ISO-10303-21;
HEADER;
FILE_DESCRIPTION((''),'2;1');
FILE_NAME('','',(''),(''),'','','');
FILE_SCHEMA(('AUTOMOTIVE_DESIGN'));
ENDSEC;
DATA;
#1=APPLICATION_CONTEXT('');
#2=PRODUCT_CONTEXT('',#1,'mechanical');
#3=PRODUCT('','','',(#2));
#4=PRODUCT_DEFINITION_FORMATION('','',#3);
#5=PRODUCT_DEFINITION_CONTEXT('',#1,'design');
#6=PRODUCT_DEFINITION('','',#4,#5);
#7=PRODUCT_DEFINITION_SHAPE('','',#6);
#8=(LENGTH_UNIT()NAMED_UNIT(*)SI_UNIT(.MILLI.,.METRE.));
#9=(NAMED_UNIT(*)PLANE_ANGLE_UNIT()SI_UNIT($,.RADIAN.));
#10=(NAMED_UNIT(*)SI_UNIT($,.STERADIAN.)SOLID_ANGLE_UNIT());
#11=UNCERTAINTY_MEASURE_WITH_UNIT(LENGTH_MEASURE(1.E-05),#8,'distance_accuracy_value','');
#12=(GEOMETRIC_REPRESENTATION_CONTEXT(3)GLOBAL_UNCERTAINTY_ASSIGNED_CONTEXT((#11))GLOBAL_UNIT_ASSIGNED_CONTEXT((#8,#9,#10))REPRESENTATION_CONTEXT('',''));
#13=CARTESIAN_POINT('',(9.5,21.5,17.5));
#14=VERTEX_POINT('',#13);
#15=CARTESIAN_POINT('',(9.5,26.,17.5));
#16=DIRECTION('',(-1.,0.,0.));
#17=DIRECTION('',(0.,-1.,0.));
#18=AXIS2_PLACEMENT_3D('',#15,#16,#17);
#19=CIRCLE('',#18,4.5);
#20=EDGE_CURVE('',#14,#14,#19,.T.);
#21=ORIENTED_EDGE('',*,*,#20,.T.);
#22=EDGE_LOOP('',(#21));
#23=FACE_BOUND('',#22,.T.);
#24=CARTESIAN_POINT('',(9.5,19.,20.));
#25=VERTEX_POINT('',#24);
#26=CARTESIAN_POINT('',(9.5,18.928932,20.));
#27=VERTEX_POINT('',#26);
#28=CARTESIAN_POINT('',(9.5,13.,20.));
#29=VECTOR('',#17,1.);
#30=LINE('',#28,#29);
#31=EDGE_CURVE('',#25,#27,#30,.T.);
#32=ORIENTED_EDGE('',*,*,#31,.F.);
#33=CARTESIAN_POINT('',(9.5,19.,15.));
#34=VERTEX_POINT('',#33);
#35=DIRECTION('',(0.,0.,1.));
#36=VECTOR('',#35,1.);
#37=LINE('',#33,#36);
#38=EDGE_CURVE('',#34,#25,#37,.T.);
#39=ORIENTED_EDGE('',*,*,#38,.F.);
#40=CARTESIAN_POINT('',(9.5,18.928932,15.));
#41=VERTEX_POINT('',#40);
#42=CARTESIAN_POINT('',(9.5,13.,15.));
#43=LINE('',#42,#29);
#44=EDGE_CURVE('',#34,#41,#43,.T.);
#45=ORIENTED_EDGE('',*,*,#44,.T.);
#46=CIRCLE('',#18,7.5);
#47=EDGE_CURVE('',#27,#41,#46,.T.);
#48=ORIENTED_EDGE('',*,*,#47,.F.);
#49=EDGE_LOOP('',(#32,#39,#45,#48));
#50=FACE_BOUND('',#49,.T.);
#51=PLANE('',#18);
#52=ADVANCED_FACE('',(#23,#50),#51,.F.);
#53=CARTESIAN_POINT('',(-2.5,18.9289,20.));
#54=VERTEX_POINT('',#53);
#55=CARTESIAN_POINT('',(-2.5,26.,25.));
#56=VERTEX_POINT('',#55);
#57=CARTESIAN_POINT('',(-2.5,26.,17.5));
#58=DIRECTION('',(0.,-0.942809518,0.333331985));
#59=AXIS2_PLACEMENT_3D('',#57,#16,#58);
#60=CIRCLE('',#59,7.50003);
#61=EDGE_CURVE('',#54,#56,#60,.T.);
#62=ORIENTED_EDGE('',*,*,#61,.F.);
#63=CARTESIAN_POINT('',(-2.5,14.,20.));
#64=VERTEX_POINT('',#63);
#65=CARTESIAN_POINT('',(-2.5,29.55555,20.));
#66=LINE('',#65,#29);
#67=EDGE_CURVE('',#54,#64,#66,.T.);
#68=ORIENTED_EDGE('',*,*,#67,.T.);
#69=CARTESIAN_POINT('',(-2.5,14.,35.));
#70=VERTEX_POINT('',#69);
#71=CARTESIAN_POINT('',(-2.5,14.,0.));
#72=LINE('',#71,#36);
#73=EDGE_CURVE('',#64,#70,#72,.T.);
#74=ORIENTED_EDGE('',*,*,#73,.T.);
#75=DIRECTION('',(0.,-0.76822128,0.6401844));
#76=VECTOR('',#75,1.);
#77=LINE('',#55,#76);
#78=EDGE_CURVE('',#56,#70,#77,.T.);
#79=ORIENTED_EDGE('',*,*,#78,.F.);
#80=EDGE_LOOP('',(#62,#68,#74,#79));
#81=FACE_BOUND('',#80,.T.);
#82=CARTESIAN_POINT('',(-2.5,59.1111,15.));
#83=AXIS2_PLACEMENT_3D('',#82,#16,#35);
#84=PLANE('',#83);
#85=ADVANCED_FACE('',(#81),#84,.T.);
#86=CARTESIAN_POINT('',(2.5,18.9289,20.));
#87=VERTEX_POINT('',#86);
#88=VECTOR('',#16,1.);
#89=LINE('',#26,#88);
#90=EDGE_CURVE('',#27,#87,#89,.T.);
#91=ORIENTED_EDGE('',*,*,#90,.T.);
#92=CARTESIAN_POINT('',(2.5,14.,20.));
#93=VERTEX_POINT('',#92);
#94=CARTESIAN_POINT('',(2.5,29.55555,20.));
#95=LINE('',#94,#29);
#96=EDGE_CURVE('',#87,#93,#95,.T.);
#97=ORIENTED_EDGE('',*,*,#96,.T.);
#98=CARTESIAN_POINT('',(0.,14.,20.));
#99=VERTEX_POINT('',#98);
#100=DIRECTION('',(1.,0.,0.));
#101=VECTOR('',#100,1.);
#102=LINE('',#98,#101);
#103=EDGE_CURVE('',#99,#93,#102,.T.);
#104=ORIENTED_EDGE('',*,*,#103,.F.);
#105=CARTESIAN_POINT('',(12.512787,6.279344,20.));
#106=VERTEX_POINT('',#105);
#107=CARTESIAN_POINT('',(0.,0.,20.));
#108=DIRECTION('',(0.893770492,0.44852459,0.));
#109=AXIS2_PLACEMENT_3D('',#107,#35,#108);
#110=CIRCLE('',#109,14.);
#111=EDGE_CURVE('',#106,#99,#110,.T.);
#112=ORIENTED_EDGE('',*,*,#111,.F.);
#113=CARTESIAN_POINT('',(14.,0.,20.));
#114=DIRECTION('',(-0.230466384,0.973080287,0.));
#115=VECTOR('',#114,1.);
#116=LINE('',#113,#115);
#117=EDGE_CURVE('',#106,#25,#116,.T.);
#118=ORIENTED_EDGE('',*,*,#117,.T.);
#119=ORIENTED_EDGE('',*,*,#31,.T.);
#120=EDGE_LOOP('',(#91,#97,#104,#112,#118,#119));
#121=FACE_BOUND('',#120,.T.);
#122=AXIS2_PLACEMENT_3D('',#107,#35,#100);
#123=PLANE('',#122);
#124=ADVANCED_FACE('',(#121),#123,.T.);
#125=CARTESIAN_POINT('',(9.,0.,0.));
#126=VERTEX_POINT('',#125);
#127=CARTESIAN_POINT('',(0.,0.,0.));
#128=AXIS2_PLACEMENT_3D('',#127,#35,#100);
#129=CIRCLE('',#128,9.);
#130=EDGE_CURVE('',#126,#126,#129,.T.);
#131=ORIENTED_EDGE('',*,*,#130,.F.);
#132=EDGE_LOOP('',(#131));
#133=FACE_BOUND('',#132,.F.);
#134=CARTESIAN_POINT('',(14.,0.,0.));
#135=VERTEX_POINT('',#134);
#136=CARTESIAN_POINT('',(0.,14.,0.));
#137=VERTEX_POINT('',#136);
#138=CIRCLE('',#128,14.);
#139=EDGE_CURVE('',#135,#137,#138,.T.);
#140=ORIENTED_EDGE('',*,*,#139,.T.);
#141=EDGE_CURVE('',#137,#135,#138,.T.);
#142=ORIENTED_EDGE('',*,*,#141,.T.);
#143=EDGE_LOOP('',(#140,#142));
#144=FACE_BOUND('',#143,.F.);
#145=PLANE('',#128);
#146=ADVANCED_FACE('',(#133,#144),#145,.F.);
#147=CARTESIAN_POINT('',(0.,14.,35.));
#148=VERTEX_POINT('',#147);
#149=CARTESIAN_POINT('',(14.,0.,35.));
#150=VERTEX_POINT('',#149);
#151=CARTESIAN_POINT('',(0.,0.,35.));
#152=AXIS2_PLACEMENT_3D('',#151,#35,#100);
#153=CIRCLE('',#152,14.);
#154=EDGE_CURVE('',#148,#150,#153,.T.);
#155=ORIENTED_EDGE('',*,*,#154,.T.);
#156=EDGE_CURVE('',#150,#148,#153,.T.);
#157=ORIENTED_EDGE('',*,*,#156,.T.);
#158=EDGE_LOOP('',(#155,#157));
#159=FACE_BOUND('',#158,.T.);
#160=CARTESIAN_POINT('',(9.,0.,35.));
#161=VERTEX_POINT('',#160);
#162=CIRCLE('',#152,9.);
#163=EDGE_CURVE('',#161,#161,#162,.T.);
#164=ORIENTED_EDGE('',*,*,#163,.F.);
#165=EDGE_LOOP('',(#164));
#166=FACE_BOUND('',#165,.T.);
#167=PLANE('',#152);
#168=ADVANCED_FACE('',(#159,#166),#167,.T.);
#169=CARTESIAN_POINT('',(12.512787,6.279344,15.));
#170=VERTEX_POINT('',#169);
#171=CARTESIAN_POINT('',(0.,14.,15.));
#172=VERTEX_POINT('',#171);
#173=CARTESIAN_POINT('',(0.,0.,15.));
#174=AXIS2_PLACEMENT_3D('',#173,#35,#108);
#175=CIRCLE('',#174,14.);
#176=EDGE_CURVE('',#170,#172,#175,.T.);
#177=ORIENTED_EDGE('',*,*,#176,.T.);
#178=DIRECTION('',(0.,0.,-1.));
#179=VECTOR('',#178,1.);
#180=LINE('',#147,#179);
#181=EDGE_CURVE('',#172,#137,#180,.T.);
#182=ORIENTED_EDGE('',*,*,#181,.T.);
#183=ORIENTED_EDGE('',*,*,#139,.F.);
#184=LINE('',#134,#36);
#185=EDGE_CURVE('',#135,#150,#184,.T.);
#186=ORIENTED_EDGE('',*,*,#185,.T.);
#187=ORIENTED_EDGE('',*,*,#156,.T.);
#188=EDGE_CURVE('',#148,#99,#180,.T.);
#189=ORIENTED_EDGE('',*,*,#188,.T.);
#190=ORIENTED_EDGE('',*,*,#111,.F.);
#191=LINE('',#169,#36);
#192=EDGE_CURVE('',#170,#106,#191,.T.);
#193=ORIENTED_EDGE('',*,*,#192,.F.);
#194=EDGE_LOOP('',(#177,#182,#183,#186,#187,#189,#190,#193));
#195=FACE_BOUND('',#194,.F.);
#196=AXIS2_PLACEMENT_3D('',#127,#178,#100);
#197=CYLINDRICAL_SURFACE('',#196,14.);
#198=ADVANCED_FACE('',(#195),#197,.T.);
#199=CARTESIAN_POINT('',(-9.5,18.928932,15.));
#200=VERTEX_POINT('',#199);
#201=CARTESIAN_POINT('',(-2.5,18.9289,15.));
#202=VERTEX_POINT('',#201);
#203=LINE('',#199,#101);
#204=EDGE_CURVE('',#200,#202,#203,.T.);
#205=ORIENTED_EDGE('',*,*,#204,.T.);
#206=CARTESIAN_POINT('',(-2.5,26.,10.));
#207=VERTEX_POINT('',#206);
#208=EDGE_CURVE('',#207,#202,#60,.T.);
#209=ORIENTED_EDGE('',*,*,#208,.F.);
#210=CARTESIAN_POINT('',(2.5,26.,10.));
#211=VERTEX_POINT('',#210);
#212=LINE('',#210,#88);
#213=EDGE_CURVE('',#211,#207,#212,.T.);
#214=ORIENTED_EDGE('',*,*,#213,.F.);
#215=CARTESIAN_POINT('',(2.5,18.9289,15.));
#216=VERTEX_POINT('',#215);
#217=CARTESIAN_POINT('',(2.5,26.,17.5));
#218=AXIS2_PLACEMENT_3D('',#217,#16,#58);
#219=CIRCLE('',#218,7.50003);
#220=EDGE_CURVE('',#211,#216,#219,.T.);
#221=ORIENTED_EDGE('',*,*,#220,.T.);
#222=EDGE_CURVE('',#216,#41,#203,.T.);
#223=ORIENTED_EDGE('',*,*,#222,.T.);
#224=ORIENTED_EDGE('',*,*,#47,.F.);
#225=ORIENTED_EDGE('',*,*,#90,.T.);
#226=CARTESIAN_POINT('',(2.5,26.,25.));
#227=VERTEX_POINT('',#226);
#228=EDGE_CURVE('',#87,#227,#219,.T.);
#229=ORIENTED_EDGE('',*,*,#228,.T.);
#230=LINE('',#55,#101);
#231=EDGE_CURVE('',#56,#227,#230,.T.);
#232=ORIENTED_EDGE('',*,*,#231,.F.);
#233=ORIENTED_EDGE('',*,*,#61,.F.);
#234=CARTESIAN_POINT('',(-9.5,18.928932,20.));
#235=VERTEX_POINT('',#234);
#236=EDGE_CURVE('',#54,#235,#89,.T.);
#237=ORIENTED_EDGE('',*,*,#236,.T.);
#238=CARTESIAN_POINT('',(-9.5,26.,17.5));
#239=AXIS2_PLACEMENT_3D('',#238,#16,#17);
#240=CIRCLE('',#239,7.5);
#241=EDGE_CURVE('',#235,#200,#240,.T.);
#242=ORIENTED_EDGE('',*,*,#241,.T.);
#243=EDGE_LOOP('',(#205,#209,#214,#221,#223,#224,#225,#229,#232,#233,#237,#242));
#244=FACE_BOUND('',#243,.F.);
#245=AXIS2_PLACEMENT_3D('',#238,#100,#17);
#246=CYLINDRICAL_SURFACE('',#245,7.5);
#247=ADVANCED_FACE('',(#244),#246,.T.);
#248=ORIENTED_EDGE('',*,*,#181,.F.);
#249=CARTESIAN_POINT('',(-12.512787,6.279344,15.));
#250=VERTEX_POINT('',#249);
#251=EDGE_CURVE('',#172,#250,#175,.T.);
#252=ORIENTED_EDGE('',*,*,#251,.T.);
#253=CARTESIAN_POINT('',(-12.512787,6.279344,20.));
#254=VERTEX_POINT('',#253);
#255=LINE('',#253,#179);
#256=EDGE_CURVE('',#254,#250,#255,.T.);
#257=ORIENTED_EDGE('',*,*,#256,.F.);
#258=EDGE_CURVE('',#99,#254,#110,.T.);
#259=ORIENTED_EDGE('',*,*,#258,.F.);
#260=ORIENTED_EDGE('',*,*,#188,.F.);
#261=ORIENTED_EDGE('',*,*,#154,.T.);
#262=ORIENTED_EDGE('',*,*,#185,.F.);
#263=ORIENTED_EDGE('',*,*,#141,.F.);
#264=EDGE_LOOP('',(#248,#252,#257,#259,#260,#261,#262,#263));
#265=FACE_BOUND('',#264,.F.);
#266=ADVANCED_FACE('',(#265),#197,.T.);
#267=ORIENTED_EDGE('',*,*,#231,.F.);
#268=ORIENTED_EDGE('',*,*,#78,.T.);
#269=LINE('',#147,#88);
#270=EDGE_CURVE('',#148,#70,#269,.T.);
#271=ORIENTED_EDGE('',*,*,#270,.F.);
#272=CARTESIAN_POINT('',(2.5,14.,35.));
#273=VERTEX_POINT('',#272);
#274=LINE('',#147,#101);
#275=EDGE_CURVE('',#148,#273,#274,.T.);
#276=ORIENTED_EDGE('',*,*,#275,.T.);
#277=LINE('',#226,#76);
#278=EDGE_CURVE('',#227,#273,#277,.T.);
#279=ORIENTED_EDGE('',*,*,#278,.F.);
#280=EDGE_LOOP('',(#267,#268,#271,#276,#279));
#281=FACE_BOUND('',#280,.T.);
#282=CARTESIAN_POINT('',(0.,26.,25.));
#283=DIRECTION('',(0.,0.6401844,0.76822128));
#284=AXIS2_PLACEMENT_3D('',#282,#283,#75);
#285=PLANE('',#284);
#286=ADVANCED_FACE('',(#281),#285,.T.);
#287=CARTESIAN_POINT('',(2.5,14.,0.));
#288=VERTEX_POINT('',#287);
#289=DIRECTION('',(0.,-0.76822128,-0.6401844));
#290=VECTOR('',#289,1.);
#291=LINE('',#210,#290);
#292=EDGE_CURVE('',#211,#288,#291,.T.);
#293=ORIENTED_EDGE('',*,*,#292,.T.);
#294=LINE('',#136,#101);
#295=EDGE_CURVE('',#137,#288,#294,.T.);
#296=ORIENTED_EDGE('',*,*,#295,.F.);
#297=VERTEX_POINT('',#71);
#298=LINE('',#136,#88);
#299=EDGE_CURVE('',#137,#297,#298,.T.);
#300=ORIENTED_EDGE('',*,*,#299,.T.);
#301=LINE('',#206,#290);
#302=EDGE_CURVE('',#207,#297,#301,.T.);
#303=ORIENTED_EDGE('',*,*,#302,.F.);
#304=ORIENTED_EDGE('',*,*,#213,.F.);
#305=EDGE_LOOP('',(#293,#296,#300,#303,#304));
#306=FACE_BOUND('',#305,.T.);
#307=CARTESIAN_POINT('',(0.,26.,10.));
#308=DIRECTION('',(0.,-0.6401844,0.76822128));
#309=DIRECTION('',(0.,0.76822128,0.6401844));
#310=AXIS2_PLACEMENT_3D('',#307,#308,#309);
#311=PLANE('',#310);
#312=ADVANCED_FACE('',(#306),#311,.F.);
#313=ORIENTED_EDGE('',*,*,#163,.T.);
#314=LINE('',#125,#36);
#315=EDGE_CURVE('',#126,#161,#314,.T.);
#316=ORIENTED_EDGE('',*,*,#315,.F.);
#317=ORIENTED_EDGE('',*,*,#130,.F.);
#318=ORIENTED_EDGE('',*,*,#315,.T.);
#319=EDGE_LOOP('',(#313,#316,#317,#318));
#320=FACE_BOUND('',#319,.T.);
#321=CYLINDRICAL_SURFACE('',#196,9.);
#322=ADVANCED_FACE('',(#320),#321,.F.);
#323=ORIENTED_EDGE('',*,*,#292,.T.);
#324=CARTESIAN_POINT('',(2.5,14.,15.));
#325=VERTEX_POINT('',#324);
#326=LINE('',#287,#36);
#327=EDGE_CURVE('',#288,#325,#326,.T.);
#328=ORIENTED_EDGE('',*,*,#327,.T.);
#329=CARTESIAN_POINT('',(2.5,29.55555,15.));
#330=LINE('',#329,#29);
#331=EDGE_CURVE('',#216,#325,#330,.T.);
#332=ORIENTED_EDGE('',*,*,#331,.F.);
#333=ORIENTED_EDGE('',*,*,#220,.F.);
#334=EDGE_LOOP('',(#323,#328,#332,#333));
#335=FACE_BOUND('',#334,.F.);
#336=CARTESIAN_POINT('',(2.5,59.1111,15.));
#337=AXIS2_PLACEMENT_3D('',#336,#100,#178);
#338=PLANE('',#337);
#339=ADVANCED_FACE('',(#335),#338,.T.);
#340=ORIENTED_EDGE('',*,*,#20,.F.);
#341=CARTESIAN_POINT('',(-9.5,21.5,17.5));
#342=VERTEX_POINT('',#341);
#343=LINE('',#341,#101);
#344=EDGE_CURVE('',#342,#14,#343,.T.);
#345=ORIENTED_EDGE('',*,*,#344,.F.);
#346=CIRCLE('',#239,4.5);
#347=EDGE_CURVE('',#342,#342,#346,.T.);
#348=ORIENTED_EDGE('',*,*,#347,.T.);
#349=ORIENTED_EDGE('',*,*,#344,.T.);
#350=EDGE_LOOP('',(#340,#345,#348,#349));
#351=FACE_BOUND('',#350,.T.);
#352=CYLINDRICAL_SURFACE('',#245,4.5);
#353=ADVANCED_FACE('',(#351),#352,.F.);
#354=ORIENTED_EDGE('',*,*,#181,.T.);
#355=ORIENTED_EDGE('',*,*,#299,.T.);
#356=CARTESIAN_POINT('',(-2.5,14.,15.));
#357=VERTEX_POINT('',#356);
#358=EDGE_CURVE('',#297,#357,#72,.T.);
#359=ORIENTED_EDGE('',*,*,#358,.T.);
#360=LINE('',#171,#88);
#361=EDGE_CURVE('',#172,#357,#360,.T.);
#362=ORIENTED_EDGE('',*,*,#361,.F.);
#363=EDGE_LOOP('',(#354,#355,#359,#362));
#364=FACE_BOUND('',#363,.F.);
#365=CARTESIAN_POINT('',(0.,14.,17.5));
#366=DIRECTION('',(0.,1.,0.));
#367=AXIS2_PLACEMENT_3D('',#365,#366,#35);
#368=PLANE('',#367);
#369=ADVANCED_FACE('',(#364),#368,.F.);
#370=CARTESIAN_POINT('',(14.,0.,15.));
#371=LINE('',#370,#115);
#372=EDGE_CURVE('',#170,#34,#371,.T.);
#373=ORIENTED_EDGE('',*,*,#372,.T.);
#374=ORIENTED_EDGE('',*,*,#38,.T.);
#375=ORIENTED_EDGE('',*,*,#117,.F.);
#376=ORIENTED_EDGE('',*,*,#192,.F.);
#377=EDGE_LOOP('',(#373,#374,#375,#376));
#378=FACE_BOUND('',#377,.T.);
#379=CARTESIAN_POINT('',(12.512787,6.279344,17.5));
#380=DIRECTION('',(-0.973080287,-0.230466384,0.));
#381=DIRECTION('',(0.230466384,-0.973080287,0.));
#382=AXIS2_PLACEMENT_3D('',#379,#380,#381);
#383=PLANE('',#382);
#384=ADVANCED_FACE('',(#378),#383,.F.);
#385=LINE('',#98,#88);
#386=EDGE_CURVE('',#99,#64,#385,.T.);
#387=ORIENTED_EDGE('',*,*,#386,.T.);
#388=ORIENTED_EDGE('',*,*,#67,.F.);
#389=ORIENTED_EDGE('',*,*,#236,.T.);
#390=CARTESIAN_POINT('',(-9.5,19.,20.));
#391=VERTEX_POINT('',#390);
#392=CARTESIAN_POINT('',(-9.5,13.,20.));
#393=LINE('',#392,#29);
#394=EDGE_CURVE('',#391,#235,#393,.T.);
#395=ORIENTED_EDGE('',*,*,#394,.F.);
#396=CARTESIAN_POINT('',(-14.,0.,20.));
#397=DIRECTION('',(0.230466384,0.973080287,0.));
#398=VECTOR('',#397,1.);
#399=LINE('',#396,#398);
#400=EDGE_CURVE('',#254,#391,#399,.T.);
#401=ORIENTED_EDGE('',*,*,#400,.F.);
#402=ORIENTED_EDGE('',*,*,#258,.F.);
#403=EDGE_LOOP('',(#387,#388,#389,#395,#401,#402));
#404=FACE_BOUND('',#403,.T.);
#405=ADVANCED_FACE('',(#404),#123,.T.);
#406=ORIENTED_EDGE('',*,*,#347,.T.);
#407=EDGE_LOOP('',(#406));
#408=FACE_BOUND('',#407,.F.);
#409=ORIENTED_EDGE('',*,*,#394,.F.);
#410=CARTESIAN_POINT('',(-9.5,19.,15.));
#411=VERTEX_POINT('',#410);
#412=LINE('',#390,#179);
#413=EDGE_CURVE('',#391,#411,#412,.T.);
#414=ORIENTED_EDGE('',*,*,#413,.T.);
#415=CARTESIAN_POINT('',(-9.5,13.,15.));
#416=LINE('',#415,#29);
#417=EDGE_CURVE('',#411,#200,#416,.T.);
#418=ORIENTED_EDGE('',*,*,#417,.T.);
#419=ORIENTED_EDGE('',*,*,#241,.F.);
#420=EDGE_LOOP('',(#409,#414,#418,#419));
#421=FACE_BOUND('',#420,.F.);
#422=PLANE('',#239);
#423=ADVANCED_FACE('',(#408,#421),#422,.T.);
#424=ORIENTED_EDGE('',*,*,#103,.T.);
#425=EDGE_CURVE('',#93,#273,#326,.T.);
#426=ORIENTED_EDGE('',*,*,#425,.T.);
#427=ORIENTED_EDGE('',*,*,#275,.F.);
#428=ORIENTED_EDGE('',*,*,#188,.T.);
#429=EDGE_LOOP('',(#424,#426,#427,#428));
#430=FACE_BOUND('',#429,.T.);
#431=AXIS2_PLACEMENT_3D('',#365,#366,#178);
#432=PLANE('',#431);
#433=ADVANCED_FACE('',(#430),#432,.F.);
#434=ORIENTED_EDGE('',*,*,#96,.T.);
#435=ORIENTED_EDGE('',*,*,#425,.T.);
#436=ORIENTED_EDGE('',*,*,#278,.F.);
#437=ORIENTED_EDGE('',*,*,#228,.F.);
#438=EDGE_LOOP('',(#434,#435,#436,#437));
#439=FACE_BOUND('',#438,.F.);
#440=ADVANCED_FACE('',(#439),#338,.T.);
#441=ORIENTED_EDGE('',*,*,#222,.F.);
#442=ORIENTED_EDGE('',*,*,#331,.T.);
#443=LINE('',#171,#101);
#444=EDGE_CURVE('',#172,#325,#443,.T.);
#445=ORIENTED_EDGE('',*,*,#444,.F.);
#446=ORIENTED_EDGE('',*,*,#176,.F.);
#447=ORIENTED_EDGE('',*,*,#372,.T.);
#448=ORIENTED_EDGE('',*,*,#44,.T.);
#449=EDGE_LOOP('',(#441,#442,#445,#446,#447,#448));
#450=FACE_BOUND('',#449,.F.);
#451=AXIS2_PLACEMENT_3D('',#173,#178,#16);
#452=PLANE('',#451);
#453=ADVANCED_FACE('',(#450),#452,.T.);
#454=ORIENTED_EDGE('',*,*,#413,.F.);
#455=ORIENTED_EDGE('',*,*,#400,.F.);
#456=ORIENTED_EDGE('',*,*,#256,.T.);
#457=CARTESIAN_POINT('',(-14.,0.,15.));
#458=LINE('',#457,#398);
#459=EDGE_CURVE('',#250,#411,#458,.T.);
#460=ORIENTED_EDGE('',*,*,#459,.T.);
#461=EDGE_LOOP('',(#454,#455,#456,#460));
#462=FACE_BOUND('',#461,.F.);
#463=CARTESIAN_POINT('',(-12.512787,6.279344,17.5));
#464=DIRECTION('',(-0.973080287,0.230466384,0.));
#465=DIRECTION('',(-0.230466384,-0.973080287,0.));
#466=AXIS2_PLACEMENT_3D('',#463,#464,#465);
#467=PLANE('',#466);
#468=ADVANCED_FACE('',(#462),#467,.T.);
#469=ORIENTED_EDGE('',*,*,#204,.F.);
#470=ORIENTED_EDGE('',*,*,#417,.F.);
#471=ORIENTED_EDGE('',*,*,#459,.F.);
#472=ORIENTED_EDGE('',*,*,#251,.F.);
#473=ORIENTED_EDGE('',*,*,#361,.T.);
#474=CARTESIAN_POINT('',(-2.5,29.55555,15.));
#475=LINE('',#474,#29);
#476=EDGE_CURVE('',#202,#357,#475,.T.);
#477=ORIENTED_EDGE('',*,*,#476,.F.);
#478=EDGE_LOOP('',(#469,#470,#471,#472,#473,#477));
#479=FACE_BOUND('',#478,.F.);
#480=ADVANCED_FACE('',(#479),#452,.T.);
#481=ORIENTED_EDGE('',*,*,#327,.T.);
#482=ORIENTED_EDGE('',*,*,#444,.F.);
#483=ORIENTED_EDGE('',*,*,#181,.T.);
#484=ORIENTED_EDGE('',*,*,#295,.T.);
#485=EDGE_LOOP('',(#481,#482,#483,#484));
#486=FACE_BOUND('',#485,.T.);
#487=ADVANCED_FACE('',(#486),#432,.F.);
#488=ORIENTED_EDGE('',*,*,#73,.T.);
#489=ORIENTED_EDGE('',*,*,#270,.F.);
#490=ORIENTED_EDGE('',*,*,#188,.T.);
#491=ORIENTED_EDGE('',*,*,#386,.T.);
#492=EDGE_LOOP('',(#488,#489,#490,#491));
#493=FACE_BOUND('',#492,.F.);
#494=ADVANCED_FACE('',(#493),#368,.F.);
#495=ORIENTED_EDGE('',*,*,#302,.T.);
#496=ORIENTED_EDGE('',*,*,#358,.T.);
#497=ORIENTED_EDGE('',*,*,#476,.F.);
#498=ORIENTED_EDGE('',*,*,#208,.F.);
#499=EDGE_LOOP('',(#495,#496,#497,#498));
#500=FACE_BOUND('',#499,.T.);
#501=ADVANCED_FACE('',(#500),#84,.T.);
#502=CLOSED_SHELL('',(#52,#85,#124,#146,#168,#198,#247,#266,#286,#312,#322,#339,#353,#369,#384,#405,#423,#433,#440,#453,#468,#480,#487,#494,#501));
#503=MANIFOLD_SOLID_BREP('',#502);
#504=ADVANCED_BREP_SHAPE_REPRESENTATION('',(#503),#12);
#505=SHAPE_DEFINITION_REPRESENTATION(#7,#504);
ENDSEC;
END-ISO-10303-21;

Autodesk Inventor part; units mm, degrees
ref_plane "YZ Plane" through (0, 0, 0) normal (1, 0, 0) x (0, 1, 0)
ref_plane "XZ Plane" through (0, 0, 0) normal (0, 1, 0) x (-1, 0, 0)
ref_plane "XY Plane" through (0, 0, 0) normal (0, 0, 1) x (1, 0, 0)
sketch "Sketch6" plane through (0, 0, 0) normal (0, 0, 1) x (1, 0, 0)
  circle A0 centre (0, 0) radius 9
  circle A1 centre (0, 0) radius 14
  dimension "d20" = 18
  dimension "d21" = 28
extrude "Extrusion4" add sketch "Sketch6" along normal blind 35
ref_plane "Work Plane2" through (0, 0, 17.5) normal (0, 0, 1) x (1, 0, 0)
sketch "Sketch8" plane through (0, 0, 17.5) normal (0, 0, 1) x (1, 0, 0)
  line L0 (0, 0) -> (0, 26)
  line L1 (0, 26) -> (-9.5, 26)
  line L2 (-9.5, 26) -> (-9.5, 21.5)
  line L3 (-9.5, 21.5) -> (0, 21.5)
  line L4 (0, 21.5) -> (0, 26)
  line L5 (0, 21.5) -> (-9.5, 21.5)
  line L6 (-9.5, 21.5) -> (-9.5, 18.5)
  line L7 (-9.5, 18.5) -> (0, 18.5)
  line L8 (0, 18.5) -> (0, 21.5)
  line L9 (9.5, 21.5) -> (0, 21.5)
  line L10 (9.5, 21.5) -> (9.5, 18.5)
  line L11 (9.5, 18.5) -> (0, 18.5)
  dimension "d28" = 26
  dimension "d29" = 9.5
  dimension "d30" = 4.5
  dimension "d32" = 3
revolve "Revolution1" add sketch "Sketch8" angle 360 about axis through (0, 26, 17.5) along (-1, 0, 0) contours L7 L6 L3 L0 | L0 L9 L10 L11
sketch "Sketch10" plane through (0, 0, 17.5) normal (0, 0, 1) x (1, 0, 0)
  circle A0 centre (0, 0) radius 14 projected
  line L0 (-14, 0) -> (-9.5, 19)
  line L1 (-9.5, 19) -> (0, 19)
  line L2 (-9.5, 33.5) -> (-9.5, 18.5) projected
  line L3 (0, 19) -> (0, 0)
  line L4 (14, 0) -> (9.5, 19)
  line L5 (9.5, 19) -> (0, 19)
  point P0 (-12.5128, 6.2793)
  point P1 (12.5128, 6.2793)
  dimension "d35" = 19
  dimension "d36" = 9.5
extrude "Extrusion6" add sketch "Sketch10" along normal blind 2.5 contours L0 L1 L3 A0 | A0 L3 L5 L4
mirror "Mirror2" about plane through (0, 0, 17.5) normal (0, 0, 1) of "Extrusion6"
ref_plane "Work Plane3" through (0, 59.1111, 15) normal (-1, 0, 0) x (0, 0, 1)
sketch "Sketch11" plane through (0, 59.1111, 15) normal (-1, 0, 0) x (0, 0, 1)
  arc A0 (5, -40.1822) -> (0, -40.1822) centre (2.5, -33.1111) ccw projected
  line L0 (-5, -33.1111) -> (-15, -45.1111)
  line L1 (-15, -45.1111) -> (20, -45.1111) projected
  circle A1 centre (2.5, -33.1111) radius 7.5
  line L2 (2.5, -33.1111) -> (2.5, -59.6944)
  line L3 (10, -33.1111) -> (20, -45.1111)
  point P0 (-15, -59.1111)
extrude "Extrusion7" add sketch "Sketch11" along normal blind 2.5 contours A0 L3 L1 L2 A1 | L2 L1 L0 A0 A1
mirror "Mirror3" about plane through (0, 59.1111, 15) normal (-1, 0, 0) of "Extrusion7"
